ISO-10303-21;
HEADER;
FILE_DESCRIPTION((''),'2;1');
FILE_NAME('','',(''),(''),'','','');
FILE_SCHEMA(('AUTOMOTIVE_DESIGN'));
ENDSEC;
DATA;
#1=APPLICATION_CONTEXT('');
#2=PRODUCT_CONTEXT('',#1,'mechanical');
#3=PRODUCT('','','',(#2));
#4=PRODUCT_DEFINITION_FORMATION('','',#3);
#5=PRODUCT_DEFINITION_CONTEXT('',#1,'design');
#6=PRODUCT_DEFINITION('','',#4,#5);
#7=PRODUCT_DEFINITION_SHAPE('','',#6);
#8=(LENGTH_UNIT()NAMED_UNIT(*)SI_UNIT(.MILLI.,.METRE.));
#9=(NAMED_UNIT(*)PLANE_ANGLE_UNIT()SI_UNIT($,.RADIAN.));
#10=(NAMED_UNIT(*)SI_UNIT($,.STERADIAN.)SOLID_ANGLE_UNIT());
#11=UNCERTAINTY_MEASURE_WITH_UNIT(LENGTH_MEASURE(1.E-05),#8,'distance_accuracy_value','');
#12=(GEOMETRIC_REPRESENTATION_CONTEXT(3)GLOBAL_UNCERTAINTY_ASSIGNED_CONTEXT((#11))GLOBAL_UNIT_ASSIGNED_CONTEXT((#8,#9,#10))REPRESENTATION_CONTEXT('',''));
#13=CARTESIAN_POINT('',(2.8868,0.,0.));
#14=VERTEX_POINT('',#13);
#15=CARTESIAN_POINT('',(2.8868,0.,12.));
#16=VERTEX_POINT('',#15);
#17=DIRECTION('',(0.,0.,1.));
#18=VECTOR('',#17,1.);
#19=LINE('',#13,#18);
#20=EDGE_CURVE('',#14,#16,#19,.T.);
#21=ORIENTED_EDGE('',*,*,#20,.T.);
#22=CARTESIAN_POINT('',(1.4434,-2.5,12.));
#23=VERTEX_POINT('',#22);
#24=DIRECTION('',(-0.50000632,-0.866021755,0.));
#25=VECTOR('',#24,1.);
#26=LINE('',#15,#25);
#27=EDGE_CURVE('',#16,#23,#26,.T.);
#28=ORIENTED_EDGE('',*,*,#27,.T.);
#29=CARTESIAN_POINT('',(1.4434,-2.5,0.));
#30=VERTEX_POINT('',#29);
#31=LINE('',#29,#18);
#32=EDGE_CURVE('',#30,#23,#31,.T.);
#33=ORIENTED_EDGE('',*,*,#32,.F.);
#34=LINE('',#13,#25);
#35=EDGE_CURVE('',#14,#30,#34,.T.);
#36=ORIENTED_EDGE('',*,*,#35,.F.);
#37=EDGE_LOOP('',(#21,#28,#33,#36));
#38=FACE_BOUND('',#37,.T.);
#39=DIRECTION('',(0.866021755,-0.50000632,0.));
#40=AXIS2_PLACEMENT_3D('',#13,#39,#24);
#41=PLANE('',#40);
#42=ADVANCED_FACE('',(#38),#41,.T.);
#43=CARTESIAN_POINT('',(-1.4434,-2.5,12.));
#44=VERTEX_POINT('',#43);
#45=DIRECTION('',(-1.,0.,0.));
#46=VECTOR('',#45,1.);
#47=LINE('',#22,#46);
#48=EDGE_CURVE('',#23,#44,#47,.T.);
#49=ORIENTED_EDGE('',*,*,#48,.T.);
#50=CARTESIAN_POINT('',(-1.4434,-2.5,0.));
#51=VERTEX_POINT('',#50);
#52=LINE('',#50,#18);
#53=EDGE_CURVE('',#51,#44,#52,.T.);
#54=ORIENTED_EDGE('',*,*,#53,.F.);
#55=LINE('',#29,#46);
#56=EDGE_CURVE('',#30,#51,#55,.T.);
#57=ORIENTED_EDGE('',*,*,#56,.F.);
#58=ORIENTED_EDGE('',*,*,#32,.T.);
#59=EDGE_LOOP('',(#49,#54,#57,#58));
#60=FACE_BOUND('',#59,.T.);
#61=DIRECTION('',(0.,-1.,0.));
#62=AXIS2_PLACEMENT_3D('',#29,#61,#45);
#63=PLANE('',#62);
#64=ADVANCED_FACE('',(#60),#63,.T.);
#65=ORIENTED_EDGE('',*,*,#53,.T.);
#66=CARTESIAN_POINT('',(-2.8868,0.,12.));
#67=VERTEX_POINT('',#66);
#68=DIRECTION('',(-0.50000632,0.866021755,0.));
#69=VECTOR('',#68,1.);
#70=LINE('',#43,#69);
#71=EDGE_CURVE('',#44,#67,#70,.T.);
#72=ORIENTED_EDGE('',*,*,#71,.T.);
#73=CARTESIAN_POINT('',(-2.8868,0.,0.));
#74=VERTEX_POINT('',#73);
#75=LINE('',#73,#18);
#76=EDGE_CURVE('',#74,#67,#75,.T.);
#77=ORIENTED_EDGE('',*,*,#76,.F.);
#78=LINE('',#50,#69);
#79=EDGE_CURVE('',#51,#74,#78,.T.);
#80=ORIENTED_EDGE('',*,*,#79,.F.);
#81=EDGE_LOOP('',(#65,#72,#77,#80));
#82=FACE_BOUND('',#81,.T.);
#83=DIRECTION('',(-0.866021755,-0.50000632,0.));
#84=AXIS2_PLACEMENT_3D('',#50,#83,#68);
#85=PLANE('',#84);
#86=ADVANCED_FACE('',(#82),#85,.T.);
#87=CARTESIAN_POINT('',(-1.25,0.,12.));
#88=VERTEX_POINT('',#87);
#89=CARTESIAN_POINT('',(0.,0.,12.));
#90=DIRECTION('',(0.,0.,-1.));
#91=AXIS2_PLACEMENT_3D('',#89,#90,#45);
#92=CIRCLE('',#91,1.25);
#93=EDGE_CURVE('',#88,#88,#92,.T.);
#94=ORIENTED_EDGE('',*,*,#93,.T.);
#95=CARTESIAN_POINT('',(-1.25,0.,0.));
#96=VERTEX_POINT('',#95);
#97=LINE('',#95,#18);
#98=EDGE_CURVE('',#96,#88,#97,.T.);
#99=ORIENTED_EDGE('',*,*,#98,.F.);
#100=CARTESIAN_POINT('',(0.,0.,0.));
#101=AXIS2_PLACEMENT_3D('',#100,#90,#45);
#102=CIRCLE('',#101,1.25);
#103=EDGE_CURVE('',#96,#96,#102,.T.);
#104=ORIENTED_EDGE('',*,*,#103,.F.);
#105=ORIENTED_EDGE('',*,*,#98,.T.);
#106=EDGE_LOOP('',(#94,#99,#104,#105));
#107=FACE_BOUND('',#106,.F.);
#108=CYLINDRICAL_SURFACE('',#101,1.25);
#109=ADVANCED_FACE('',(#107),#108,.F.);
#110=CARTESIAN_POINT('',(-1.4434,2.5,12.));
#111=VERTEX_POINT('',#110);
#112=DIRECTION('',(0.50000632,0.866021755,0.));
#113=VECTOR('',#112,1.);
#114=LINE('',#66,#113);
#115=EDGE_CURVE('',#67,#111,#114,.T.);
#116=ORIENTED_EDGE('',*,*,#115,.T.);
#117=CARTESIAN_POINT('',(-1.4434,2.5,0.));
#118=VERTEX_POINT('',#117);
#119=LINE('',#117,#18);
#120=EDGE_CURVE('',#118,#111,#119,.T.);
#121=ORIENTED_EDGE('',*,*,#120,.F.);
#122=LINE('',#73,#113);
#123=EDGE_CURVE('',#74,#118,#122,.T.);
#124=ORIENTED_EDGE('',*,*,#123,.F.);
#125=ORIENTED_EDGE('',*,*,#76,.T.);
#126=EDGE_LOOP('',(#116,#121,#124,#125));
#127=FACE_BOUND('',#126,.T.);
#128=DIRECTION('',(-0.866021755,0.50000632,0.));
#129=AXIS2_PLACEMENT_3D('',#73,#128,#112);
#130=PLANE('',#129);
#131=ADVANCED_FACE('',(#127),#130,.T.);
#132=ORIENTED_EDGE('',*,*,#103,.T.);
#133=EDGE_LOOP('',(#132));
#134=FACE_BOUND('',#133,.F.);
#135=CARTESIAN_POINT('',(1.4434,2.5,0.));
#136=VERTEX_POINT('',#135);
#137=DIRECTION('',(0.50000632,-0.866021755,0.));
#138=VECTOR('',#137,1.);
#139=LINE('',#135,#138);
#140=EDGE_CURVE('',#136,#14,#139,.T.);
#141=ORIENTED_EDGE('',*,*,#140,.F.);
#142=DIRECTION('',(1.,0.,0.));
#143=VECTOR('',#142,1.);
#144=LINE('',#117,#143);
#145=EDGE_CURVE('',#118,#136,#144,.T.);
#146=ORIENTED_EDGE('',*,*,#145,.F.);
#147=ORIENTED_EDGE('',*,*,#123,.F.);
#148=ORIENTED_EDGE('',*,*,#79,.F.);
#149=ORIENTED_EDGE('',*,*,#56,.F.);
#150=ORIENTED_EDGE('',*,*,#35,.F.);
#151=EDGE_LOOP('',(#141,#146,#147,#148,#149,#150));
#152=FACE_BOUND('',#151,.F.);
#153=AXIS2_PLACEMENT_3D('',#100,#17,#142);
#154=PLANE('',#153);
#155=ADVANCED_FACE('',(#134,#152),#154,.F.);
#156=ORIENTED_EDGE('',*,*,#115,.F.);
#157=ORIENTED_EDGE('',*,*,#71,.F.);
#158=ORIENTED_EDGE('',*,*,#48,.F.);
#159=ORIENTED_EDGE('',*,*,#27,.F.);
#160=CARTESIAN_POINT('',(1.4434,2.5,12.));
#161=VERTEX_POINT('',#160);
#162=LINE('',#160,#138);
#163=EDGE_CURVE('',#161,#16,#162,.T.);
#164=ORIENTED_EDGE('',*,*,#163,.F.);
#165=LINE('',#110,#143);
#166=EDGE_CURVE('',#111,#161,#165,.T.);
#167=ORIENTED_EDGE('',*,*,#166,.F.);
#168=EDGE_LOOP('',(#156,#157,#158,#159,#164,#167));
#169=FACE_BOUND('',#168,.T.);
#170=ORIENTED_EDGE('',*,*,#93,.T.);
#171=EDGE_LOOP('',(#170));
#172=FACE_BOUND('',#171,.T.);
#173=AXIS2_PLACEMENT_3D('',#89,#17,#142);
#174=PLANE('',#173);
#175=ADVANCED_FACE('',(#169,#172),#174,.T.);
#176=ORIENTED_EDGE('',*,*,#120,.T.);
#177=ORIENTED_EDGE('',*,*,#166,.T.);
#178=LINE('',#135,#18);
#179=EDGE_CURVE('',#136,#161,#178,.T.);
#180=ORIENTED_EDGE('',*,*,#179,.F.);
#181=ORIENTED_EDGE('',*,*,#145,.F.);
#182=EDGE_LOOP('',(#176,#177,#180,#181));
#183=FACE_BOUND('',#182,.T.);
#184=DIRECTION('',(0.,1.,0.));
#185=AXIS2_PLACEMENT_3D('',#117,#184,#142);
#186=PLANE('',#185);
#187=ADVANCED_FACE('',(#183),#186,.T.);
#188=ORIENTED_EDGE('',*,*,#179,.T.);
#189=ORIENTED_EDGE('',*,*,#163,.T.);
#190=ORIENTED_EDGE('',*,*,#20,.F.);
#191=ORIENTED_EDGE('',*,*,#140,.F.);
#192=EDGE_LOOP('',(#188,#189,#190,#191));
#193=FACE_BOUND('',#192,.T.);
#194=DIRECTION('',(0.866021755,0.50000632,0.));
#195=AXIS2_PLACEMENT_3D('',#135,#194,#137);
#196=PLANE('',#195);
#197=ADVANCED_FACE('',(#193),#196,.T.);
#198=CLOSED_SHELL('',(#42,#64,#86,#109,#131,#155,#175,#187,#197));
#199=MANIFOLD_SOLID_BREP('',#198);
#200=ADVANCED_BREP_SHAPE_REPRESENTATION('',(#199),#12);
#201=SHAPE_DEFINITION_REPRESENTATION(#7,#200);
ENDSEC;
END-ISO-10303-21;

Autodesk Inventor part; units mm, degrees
ref_plane "YZ Plane" through (0, 0, 0) normal (1, 0, 0) x (0, 1, 0)
ref_plane "XZ Plane" through (0, 0, 0) normal (0, 1, 0) x (-1, 0, 0)
ref_plane "XY Plane" through (0, 0, 0) normal (0, 0, 1) x (1, 0, 0)
sketch "Sketch1" plane through (0, 0, 0) normal (0, 0, 1) x (1, 0, 0)
  line L0 (2.8868, 0) -> (1.4434, -2.5)
  line L1 (1.4434, -2.5) -> (-1.4434, -2.5)
  line L2 (-1.4434, -2.5) -> (-2.8868, 0)
  line L3 (-2.8868, 0) -> (-1.4434, 2.5)
  line L4 (-1.4434, 2.5) -> (1.4434, 2.5)
  line L5 (1.4434, 2.5) -> (2.8868, 0)
  point P0 (0, 0)
  point P1 (0, 0)
  dimension "d0" = 5
extrude "Extrusion1" add sketch "Sketch1" along normal blind 12
sketch "Sketch3" plane through (0, 0, 0) normal (0, 0, -1) x (-1, 0, 0)
  circle A0 centre (0, 0) radius 1.25
  dimension "d6" = 2.5
extrude "Extrusion3" cut sketch "Sketch3" against normal through all
properties part number "M2.5x12mm_Standoff_ 970120144"
